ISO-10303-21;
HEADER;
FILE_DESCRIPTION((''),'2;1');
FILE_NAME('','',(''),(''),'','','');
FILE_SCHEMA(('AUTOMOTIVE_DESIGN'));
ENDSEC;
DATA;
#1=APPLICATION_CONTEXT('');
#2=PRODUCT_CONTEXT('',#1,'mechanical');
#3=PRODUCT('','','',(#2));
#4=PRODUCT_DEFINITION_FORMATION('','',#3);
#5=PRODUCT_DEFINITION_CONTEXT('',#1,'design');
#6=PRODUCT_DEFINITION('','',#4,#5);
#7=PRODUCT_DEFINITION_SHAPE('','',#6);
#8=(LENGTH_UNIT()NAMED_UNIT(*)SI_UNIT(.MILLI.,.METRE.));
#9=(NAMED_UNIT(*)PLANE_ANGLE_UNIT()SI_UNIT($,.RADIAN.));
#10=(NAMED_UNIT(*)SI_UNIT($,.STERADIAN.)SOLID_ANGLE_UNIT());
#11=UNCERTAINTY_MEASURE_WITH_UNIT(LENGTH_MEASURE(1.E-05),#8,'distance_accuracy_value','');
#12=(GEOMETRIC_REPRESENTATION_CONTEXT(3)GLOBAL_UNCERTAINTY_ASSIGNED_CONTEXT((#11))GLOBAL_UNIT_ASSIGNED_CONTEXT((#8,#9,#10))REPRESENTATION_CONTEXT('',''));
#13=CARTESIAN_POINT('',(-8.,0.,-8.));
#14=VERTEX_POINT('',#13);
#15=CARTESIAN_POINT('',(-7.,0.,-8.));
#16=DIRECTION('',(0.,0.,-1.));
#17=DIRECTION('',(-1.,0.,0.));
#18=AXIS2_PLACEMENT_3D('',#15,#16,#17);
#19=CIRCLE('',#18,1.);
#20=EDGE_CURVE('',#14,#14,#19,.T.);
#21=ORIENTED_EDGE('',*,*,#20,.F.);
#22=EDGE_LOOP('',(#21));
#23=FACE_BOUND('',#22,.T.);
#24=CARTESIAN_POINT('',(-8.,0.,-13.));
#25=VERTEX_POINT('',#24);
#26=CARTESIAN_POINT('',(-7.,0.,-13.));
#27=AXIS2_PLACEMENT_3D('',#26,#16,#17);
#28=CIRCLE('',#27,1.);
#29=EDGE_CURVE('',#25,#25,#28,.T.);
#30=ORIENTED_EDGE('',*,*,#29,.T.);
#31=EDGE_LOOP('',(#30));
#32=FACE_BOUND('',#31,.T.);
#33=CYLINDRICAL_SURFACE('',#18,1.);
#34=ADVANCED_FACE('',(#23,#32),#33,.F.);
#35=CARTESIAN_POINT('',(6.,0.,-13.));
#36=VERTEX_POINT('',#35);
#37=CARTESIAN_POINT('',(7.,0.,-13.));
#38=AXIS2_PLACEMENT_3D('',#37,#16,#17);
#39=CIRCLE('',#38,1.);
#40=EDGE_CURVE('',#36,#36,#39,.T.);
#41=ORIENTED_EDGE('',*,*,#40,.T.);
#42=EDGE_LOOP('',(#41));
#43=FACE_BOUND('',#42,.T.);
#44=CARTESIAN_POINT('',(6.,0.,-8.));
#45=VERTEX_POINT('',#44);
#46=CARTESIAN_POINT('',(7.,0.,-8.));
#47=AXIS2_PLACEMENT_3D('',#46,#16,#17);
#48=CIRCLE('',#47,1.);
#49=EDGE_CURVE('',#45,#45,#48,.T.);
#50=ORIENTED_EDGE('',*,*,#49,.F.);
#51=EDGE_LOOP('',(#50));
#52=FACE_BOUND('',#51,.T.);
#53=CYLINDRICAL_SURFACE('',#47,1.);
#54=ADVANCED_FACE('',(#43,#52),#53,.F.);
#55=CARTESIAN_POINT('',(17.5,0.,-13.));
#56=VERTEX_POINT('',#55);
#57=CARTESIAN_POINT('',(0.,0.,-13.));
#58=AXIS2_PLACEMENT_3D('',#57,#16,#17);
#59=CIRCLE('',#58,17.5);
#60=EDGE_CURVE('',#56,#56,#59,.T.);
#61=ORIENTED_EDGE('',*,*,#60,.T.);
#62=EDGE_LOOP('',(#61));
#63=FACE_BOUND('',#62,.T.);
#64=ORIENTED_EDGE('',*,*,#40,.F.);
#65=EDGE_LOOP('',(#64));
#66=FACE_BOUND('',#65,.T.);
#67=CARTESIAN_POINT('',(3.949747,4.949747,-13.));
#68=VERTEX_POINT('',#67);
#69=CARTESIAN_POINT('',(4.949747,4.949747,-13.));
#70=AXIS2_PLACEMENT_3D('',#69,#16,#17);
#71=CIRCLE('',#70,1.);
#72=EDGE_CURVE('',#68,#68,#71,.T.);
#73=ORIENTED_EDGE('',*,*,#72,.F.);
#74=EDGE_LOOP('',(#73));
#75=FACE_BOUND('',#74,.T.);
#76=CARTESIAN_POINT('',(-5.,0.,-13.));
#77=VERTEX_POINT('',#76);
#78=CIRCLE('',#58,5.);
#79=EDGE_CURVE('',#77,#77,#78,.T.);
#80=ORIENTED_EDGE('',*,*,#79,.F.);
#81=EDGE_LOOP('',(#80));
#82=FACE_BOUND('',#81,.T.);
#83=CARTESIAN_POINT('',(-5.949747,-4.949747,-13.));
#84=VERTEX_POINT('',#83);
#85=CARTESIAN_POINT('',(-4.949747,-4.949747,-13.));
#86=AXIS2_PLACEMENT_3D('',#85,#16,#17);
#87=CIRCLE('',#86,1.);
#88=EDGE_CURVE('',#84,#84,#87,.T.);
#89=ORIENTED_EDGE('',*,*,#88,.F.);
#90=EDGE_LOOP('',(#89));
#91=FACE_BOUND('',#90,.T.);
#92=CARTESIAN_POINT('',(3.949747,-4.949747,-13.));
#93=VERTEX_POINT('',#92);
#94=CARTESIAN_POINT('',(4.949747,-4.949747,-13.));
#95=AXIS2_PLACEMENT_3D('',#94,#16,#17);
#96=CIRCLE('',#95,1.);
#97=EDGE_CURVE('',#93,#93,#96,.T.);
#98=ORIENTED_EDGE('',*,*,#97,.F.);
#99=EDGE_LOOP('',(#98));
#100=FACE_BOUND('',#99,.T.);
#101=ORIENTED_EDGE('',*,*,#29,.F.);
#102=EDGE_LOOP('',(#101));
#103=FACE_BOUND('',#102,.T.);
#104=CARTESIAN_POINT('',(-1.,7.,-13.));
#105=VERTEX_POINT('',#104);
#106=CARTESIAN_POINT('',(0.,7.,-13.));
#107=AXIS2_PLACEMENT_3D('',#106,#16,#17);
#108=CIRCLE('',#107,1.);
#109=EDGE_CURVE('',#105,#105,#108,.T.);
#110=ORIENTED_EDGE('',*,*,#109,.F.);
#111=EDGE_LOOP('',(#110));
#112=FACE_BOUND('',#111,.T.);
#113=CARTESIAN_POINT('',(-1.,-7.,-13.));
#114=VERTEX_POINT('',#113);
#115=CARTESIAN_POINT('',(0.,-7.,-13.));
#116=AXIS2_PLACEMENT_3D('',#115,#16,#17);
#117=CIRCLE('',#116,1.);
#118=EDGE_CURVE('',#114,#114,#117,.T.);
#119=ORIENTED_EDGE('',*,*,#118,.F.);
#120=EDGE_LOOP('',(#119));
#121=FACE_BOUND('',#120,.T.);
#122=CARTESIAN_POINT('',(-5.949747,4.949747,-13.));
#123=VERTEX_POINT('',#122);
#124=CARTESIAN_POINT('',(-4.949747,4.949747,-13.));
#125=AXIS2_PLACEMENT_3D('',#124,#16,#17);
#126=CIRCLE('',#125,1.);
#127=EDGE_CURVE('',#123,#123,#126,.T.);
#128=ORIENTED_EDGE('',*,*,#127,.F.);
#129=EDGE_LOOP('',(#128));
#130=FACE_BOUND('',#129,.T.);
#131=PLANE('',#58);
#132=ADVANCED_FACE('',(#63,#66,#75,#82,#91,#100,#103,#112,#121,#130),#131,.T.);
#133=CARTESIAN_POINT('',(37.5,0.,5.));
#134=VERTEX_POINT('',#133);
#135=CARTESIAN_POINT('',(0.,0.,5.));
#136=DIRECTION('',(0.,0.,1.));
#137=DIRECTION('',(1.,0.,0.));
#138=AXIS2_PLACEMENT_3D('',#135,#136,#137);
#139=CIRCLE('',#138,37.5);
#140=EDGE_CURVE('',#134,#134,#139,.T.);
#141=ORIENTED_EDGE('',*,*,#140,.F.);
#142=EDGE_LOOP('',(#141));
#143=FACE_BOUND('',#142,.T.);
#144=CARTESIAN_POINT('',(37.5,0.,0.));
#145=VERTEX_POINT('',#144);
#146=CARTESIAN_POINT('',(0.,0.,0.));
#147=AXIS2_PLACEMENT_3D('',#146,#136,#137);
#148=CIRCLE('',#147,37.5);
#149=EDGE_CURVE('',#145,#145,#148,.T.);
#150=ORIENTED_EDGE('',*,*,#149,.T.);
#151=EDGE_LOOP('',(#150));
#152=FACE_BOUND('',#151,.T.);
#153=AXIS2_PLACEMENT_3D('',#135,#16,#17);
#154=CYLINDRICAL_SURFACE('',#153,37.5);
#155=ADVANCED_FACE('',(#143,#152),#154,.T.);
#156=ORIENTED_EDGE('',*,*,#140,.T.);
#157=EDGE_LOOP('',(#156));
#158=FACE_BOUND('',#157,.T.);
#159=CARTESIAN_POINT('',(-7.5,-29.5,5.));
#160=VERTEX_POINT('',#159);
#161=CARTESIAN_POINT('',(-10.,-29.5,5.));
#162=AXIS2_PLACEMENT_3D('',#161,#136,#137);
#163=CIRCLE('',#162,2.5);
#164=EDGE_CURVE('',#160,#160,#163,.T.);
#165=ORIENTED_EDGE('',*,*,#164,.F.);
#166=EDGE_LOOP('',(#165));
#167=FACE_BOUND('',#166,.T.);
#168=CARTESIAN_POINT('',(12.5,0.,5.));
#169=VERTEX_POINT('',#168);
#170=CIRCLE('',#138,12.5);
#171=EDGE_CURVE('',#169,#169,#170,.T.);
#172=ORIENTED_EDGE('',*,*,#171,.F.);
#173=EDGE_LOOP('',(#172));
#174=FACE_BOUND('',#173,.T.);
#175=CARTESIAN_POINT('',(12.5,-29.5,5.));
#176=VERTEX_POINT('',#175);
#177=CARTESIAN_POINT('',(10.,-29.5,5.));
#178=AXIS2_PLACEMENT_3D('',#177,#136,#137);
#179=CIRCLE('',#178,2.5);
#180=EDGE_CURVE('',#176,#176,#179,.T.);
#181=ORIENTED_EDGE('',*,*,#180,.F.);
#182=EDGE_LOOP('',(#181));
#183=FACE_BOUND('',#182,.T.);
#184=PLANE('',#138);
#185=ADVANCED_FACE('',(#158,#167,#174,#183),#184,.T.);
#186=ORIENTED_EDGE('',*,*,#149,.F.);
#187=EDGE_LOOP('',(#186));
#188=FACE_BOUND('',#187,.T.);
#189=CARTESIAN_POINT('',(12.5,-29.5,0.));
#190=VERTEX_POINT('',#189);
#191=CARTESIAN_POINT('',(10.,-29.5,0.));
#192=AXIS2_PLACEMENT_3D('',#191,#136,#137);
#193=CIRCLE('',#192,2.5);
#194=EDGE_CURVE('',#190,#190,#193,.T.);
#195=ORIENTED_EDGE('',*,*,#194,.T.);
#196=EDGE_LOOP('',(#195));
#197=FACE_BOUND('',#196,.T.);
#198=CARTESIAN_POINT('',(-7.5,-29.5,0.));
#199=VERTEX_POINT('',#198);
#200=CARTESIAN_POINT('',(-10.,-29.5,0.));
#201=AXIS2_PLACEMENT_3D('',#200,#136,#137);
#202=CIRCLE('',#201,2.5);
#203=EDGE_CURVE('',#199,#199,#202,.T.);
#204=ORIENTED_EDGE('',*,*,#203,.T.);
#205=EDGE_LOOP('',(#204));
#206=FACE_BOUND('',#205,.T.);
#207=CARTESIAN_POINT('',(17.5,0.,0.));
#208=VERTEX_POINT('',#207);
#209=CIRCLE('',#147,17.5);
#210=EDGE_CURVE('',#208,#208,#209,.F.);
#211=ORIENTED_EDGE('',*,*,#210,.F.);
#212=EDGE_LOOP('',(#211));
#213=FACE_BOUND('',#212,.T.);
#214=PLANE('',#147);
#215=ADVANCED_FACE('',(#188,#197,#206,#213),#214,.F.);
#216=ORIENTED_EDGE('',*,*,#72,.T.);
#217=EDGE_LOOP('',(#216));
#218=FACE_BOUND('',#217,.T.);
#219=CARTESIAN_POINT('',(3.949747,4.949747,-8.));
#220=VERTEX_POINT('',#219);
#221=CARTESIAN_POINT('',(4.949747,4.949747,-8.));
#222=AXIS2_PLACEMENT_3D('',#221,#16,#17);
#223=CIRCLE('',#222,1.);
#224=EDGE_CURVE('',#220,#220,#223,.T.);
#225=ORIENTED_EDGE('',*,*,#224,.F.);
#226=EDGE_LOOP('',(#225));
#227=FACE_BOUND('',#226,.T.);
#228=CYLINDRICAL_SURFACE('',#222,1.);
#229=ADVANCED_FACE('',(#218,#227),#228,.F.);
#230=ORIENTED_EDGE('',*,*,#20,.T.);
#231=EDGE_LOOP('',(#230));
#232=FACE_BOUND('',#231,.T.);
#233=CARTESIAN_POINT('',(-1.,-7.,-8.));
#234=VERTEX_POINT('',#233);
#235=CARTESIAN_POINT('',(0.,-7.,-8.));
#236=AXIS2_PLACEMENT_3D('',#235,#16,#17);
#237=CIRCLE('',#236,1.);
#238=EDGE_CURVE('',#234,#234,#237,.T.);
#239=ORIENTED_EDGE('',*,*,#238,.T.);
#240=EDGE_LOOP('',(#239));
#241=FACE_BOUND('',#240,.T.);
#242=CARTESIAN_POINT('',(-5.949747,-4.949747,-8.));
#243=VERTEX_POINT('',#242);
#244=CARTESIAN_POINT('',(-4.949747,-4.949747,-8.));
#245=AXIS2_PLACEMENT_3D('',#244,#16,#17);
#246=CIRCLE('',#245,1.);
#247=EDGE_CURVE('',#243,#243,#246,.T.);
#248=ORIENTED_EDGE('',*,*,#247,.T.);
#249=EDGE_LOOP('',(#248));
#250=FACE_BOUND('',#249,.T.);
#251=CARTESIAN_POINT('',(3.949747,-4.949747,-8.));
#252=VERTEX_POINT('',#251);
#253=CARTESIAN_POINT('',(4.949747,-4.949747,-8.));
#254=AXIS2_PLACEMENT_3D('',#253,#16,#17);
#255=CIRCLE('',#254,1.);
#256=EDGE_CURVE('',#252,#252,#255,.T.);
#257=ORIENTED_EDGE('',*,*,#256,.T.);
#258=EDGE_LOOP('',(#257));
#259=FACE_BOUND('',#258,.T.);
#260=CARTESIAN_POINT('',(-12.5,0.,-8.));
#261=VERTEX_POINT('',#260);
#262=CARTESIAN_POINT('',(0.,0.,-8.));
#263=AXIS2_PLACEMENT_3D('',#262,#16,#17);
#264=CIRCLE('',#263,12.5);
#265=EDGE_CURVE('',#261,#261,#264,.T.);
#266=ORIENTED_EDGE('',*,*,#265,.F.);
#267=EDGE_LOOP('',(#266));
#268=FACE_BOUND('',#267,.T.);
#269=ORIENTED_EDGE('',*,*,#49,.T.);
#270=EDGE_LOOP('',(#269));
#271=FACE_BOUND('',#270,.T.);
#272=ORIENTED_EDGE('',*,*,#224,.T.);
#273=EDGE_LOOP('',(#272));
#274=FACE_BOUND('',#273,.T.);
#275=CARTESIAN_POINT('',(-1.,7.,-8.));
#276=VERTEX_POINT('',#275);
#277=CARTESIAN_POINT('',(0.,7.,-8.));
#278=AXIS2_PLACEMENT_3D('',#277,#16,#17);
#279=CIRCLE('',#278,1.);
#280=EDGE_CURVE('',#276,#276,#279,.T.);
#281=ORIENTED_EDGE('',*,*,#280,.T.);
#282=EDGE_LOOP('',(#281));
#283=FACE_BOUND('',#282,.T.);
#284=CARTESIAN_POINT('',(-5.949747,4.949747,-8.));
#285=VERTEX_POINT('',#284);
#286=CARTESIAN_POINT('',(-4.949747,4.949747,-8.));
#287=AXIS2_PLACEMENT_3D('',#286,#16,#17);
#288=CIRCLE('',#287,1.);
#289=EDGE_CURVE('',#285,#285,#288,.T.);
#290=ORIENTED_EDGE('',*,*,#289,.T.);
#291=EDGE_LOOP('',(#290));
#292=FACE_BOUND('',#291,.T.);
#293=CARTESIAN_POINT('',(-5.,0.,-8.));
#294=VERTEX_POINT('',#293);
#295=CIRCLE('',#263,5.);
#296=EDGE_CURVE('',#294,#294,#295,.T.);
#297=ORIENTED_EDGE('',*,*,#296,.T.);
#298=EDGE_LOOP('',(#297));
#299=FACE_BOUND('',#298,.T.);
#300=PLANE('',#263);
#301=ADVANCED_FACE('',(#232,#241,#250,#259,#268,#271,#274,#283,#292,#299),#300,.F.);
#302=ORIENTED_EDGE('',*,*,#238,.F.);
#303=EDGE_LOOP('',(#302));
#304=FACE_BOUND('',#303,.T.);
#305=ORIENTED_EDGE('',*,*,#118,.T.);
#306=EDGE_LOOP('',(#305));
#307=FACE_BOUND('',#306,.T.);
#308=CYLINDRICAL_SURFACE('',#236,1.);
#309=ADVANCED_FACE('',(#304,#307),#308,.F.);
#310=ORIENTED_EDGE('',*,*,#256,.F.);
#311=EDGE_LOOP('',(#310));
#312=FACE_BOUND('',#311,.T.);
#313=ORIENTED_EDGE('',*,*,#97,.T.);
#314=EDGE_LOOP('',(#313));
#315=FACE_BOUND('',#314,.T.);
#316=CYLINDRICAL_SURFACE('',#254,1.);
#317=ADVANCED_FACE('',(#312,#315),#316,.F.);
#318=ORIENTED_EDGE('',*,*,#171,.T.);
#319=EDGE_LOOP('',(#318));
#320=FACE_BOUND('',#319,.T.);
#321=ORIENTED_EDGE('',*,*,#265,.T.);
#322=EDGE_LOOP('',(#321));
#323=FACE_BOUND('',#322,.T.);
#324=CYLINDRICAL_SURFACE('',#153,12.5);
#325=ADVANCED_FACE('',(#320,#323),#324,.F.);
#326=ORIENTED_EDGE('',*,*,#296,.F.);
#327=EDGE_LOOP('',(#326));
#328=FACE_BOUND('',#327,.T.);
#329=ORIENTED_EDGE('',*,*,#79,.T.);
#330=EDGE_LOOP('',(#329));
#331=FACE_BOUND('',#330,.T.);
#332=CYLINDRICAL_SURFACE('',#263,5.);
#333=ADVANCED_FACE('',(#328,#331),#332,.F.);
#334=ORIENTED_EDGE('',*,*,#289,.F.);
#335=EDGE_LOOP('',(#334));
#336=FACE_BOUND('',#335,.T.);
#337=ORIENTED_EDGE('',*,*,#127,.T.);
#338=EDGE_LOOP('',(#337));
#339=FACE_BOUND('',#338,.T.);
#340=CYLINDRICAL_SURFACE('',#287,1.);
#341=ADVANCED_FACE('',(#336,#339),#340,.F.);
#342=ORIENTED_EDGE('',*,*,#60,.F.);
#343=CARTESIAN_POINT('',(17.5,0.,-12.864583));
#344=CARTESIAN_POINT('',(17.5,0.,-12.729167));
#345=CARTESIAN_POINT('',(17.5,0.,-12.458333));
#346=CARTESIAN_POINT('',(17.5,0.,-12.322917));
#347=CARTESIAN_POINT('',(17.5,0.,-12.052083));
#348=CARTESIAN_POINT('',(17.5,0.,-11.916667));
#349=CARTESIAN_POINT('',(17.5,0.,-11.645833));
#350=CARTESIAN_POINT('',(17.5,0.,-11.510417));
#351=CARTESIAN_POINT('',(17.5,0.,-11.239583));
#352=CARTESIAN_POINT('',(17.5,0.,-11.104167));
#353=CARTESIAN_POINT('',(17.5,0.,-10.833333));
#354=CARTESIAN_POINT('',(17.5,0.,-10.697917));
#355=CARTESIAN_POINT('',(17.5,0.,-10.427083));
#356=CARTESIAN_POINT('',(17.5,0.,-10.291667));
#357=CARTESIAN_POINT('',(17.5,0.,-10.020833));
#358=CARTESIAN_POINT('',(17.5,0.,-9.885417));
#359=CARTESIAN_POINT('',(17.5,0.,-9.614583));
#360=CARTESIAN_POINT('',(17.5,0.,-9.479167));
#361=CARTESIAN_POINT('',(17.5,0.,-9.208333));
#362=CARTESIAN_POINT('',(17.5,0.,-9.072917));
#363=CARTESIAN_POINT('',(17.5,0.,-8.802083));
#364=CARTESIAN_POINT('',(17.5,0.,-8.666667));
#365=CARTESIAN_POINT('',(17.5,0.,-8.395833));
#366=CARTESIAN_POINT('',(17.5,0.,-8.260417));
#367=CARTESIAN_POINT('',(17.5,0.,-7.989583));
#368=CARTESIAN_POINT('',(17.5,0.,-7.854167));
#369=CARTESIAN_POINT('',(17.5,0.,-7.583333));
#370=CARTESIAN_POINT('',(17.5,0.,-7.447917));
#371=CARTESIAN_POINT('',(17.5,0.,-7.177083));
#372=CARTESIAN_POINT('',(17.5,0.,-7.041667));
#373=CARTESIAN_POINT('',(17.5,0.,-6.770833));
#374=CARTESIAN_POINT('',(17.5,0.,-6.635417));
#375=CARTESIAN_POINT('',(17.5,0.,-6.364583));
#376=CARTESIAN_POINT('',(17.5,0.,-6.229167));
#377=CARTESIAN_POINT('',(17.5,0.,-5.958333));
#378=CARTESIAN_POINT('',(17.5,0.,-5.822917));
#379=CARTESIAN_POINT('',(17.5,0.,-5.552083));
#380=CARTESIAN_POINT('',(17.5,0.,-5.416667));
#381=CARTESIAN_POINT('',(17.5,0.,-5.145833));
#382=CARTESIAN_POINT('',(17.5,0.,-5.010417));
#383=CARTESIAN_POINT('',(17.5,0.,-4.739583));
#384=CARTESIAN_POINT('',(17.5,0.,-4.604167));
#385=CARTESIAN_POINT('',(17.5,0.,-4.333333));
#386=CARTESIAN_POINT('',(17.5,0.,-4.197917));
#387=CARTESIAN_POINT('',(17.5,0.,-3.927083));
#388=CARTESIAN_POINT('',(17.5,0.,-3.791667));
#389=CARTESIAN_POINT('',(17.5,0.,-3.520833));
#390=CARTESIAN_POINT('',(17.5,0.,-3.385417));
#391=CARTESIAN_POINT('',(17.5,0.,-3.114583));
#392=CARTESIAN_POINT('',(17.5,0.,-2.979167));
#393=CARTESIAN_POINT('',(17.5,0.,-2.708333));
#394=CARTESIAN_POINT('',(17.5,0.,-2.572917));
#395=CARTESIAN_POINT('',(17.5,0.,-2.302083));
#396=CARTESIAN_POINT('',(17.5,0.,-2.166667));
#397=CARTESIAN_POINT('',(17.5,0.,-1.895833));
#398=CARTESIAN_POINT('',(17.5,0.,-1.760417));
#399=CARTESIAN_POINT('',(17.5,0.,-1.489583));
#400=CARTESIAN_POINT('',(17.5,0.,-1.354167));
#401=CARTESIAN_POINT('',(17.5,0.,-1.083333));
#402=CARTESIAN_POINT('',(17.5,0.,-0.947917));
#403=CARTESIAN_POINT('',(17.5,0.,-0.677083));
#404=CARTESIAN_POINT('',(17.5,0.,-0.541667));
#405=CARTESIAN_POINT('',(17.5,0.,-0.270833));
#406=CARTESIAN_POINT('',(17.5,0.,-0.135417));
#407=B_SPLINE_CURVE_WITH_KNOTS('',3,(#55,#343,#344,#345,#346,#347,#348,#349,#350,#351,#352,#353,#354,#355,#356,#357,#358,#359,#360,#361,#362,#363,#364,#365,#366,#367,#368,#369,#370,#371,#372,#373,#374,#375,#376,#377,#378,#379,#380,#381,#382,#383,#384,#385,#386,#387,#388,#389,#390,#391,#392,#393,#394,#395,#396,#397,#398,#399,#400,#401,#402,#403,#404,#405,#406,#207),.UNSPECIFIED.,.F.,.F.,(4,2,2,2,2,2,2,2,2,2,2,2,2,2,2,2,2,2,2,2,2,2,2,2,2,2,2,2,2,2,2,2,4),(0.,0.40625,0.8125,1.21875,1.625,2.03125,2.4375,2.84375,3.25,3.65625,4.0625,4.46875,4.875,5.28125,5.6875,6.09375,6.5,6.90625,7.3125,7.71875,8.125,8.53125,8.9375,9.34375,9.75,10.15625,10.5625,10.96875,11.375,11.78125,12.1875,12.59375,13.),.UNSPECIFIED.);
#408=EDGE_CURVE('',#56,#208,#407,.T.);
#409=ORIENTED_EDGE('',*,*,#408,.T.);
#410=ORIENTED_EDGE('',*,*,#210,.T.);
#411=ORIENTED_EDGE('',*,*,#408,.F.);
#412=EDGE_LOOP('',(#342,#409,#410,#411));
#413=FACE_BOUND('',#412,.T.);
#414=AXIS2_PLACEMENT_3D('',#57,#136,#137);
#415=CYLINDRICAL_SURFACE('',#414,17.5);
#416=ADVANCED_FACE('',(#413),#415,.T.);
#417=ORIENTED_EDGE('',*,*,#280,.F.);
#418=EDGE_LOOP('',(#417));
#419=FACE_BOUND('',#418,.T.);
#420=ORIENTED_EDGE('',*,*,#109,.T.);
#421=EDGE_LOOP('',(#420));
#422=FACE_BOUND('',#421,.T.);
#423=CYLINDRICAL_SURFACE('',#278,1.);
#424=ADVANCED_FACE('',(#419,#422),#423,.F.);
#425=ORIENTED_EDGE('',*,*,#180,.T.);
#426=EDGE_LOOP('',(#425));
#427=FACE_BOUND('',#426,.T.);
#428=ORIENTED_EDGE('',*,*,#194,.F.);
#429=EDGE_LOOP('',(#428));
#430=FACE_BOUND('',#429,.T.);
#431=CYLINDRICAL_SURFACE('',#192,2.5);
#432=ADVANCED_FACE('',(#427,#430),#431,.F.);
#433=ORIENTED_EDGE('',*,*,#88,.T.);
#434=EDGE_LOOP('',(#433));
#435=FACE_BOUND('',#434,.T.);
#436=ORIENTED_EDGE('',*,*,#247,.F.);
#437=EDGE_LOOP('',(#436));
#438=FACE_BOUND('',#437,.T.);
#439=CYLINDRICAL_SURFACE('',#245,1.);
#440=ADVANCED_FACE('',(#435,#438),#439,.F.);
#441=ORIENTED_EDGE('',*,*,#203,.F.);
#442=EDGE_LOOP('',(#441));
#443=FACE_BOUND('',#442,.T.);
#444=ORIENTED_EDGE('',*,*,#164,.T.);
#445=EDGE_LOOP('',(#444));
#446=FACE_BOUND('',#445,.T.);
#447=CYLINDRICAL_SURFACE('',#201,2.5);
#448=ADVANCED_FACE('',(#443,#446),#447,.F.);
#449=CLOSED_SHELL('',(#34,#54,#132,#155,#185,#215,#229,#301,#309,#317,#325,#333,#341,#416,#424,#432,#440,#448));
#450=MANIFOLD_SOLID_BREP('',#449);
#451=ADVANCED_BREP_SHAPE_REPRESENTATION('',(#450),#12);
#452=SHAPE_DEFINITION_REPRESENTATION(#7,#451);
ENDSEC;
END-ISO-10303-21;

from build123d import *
from build123d.topology import SkipClean

# Parameters (mm, degrees)
SKETCH_1_R          = 37.5
SKETCH_1_R_2        = 12.5
EXTRUDE_1_DEPTH     = 5
EXTRUDE_START       = 13
SKETCH_2_R          = 17.5
SKETCH_2_R_2        = 12.5
EXTRUDE_2_DEPTH     = 13
SKETCH_3_R          = 12.5
SKETCH_3_R_2        = 5
SKETCH_3_R_3        = 1
EXTRUDE_3_DEPTH     = 5
SKETCH_4_R          = 2.5
CUT_EXTRUDE_1_DEPTH = 5


with BuildPart() as part:
    # 草图1 → 凸台-拉伸1 (new body)
    with BuildSketch(Plane.XY):
        Circle(SKETCH_1_R)
        Circle(SKETCH_1_R_2, mode=Mode.SUBTRACT)
    extrude(amount=EXTRUDE_1_DEPTH)

    # 草图2 → 凸台-拉伸2 (add)
    with SkipClean():  # the faces are left unmerged after this step: merging them gives an invalid solid
        with BuildSketch(Plane(origin=(0, 0, 0), x_dir=(-1, 0, 0), z_dir=(0, 0, -1)).offset(EXTRUDE_START)):
            with Locations(Location((0, 0, 0), (0, 0, 180))):
                Circle(SKETCH_2_R)
            Circle(SKETCH_2_R_2, mode=Mode.SUBTRACT)
        extrude(amount=-EXTRUDE_2_DEPTH)

    # 草图3 → 凸台-拉伸3 (add)
    with SkipClean():  # the faces are left unmerged after this step: merging them gives an invalid solid
        with BuildSketch(Plane(origin=(0, 0, -13), x_dir=(-1, 0, 0), z_dir=(0, 0, -1))):
            Circle(SKETCH_3_R)
            Circle(SKETCH_3_R_2, mode=Mode.SUBTRACT)
            with Locations((7, 0)):
                Circle(SKETCH_3_R_3, mode=Mode.SUBTRACT)
            with Locations((4.949747468, -4.949747468)):
                Circle(SKETCH_3_R_3, mode=Mode.SUBTRACT)
            with Locations((0, -7)):
                Circle(SKETCH_3_R_3, mode=Mode.SUBTRACT)
            with Locations((-4.949747468, -4.949747468)):
                Circle(SKETCH_3_R_3, mode=Mode.SUBTRACT)
            with Locations((-7, 0)):
                Circle(SKETCH_3_R_3, mode=Mode.SUBTRACT)
            with Locations((-4.949747468, 4.949747468)):
                Circle(SKETCH_3_R_3, mode=Mode.SUBTRACT)
            with Locations((0, 7)):
                Circle(SKETCH_3_R_3, mode=Mode.SUBTRACT)
            with Locations((4.949747468, 4.949747468)):
                Circle(SKETCH_3_R_3, mode=Mode.SUBTRACT)
        extrude(amount=-EXTRUDE_3_DEPTH)

    # 草图4 → 切除-拉伸1 (cut)
    with SkipClean():  # the faces are left unmerged after this step: merging them gives an invalid solid
        with BuildSketch(Plane.XY.offset(5)):
            with Locations((10, -29.5)):
                Circle(SKETCH_4_R)
            with Locations((-10, -29.5)):
                Circle(SKETCH_4_R)
        extrude(amount=-CUT_EXTRUDE_1_DEPTH, mode=Mode.SUBTRACT)


solid = part.part
